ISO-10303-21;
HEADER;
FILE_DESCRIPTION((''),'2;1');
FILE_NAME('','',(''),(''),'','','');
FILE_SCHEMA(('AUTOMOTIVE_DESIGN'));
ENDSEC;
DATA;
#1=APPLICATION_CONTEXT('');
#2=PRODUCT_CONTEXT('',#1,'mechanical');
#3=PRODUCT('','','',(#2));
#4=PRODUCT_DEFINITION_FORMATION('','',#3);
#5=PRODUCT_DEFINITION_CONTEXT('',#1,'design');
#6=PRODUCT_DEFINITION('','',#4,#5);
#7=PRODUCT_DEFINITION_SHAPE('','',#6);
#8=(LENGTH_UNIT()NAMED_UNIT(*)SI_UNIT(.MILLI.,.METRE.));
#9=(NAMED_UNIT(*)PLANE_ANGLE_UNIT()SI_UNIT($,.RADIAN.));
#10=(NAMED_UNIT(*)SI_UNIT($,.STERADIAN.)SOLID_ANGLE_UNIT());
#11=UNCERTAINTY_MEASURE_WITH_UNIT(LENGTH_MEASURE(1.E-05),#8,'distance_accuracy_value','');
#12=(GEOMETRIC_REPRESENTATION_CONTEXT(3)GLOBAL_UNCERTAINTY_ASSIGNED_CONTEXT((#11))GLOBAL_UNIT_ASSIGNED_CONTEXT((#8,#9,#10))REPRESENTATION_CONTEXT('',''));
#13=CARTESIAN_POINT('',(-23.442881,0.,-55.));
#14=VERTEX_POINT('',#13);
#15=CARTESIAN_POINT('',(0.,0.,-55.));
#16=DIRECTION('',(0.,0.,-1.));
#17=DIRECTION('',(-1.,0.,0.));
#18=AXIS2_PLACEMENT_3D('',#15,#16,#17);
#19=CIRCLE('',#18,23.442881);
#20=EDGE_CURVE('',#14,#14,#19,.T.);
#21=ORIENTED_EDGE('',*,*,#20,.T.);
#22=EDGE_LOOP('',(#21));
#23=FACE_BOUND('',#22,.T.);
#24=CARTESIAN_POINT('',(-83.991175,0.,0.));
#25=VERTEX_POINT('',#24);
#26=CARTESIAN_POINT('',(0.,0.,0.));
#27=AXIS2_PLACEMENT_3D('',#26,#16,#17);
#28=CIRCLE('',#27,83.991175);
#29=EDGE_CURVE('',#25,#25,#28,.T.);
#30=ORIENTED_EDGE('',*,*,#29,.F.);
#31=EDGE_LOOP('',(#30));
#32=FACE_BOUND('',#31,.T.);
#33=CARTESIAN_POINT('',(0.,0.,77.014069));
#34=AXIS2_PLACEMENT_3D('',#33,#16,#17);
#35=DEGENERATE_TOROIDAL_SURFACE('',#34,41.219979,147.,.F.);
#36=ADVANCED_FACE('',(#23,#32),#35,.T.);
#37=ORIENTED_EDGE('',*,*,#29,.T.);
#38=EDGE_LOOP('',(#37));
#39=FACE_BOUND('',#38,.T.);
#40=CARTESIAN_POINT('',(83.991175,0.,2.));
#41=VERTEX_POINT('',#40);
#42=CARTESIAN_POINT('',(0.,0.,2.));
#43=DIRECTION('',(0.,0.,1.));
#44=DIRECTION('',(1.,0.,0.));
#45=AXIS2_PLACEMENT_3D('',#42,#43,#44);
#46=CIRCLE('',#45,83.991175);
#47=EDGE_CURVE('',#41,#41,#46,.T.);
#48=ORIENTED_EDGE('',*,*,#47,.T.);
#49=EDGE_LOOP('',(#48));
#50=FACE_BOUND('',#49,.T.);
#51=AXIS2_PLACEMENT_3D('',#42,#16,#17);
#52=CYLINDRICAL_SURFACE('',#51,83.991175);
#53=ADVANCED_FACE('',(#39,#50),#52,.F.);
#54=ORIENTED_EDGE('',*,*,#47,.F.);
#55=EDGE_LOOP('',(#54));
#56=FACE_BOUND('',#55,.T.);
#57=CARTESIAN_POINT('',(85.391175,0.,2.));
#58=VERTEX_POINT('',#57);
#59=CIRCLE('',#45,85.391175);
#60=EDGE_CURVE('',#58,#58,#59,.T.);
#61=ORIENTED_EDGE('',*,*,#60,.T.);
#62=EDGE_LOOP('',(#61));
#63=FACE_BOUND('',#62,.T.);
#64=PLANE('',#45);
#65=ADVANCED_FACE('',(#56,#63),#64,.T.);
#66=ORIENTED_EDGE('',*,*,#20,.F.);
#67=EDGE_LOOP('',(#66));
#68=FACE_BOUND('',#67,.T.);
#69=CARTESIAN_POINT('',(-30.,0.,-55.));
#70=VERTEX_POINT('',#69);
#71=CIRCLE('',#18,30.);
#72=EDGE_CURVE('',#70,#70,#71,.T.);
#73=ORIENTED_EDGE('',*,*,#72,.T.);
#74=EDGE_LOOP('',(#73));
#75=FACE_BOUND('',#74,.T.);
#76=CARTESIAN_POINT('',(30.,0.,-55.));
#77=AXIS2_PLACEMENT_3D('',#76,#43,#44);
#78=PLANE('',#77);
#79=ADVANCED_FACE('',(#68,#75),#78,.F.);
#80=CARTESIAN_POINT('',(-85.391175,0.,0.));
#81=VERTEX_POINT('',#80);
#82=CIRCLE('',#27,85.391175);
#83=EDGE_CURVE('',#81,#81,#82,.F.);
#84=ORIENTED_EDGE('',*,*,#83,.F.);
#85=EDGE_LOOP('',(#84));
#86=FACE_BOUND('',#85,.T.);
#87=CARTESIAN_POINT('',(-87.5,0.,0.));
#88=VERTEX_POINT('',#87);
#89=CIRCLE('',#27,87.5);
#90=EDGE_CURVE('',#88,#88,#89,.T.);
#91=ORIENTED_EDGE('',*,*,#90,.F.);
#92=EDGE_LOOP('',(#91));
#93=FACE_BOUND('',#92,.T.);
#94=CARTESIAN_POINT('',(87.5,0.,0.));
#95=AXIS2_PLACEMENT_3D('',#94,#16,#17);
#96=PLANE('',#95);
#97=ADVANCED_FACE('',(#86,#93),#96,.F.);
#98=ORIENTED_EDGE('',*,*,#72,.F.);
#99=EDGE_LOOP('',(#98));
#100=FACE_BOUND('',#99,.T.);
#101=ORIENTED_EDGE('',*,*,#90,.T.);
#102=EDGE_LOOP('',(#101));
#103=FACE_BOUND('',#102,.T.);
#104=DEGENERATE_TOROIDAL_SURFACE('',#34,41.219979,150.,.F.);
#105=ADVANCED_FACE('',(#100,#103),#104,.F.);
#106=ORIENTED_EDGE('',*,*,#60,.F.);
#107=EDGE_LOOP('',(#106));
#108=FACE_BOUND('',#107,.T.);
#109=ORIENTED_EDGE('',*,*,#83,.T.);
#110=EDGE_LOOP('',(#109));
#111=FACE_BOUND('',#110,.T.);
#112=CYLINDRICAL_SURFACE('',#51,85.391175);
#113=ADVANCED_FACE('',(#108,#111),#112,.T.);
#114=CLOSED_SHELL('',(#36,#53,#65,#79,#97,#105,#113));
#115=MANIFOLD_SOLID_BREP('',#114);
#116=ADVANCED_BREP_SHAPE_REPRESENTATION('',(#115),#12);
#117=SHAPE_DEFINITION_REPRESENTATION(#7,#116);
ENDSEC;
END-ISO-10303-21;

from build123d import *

# Parameters (mm, degrees)
SKETCH4_R           = 85.391174644
SKETCH4_R_2         = 83.991174644
BOSS_EXTRUDE1_DEPTH = 2


with BuildPart() as part:
    # Sketch2 → Revolve1 (revolve)
    with BuildSketch(Plane(origin=(0, 0, 0), x_dir=(1, 0, 0), z_dir=(0, 1, 0)), mode=Mode.PRIVATE) as revolve1_sk:
        with BuildLine():
            Line((30, 55), (23.442880624, 55))
            ThreePointArc((23.442880624, 55), (57.619715582, 31.796383588), (83.991174644, 0))
            Line((83.991174644, 0), (87.5, 0))
            ThreePointArc((87.5, 0), (62.463417443, 31.382209145), (30, 55))
        make_face()
    revolve(revolve1_sk.sketch.rotate(Axis((0, 0, -55), (0, 0, 1)), 180), axis=Axis((0, 0, -55), (0, 0, 1)))

    # Sketch4 → Boss-Extrude1 (add)
    with BuildSketch(Plane.XY):
        with Locations(Location((0, 0, 0), (0, 0, 180))):
            Circle(SKETCH4_R)
        with Locations(Location((0, 0, 0), (0, 0, 180))):
            Circle(SKETCH4_R_2, mode=Mode.SUBTRACT)
    extrude(amount=BOSS_EXTRUDE1_DEPTH)


solid = part.part
